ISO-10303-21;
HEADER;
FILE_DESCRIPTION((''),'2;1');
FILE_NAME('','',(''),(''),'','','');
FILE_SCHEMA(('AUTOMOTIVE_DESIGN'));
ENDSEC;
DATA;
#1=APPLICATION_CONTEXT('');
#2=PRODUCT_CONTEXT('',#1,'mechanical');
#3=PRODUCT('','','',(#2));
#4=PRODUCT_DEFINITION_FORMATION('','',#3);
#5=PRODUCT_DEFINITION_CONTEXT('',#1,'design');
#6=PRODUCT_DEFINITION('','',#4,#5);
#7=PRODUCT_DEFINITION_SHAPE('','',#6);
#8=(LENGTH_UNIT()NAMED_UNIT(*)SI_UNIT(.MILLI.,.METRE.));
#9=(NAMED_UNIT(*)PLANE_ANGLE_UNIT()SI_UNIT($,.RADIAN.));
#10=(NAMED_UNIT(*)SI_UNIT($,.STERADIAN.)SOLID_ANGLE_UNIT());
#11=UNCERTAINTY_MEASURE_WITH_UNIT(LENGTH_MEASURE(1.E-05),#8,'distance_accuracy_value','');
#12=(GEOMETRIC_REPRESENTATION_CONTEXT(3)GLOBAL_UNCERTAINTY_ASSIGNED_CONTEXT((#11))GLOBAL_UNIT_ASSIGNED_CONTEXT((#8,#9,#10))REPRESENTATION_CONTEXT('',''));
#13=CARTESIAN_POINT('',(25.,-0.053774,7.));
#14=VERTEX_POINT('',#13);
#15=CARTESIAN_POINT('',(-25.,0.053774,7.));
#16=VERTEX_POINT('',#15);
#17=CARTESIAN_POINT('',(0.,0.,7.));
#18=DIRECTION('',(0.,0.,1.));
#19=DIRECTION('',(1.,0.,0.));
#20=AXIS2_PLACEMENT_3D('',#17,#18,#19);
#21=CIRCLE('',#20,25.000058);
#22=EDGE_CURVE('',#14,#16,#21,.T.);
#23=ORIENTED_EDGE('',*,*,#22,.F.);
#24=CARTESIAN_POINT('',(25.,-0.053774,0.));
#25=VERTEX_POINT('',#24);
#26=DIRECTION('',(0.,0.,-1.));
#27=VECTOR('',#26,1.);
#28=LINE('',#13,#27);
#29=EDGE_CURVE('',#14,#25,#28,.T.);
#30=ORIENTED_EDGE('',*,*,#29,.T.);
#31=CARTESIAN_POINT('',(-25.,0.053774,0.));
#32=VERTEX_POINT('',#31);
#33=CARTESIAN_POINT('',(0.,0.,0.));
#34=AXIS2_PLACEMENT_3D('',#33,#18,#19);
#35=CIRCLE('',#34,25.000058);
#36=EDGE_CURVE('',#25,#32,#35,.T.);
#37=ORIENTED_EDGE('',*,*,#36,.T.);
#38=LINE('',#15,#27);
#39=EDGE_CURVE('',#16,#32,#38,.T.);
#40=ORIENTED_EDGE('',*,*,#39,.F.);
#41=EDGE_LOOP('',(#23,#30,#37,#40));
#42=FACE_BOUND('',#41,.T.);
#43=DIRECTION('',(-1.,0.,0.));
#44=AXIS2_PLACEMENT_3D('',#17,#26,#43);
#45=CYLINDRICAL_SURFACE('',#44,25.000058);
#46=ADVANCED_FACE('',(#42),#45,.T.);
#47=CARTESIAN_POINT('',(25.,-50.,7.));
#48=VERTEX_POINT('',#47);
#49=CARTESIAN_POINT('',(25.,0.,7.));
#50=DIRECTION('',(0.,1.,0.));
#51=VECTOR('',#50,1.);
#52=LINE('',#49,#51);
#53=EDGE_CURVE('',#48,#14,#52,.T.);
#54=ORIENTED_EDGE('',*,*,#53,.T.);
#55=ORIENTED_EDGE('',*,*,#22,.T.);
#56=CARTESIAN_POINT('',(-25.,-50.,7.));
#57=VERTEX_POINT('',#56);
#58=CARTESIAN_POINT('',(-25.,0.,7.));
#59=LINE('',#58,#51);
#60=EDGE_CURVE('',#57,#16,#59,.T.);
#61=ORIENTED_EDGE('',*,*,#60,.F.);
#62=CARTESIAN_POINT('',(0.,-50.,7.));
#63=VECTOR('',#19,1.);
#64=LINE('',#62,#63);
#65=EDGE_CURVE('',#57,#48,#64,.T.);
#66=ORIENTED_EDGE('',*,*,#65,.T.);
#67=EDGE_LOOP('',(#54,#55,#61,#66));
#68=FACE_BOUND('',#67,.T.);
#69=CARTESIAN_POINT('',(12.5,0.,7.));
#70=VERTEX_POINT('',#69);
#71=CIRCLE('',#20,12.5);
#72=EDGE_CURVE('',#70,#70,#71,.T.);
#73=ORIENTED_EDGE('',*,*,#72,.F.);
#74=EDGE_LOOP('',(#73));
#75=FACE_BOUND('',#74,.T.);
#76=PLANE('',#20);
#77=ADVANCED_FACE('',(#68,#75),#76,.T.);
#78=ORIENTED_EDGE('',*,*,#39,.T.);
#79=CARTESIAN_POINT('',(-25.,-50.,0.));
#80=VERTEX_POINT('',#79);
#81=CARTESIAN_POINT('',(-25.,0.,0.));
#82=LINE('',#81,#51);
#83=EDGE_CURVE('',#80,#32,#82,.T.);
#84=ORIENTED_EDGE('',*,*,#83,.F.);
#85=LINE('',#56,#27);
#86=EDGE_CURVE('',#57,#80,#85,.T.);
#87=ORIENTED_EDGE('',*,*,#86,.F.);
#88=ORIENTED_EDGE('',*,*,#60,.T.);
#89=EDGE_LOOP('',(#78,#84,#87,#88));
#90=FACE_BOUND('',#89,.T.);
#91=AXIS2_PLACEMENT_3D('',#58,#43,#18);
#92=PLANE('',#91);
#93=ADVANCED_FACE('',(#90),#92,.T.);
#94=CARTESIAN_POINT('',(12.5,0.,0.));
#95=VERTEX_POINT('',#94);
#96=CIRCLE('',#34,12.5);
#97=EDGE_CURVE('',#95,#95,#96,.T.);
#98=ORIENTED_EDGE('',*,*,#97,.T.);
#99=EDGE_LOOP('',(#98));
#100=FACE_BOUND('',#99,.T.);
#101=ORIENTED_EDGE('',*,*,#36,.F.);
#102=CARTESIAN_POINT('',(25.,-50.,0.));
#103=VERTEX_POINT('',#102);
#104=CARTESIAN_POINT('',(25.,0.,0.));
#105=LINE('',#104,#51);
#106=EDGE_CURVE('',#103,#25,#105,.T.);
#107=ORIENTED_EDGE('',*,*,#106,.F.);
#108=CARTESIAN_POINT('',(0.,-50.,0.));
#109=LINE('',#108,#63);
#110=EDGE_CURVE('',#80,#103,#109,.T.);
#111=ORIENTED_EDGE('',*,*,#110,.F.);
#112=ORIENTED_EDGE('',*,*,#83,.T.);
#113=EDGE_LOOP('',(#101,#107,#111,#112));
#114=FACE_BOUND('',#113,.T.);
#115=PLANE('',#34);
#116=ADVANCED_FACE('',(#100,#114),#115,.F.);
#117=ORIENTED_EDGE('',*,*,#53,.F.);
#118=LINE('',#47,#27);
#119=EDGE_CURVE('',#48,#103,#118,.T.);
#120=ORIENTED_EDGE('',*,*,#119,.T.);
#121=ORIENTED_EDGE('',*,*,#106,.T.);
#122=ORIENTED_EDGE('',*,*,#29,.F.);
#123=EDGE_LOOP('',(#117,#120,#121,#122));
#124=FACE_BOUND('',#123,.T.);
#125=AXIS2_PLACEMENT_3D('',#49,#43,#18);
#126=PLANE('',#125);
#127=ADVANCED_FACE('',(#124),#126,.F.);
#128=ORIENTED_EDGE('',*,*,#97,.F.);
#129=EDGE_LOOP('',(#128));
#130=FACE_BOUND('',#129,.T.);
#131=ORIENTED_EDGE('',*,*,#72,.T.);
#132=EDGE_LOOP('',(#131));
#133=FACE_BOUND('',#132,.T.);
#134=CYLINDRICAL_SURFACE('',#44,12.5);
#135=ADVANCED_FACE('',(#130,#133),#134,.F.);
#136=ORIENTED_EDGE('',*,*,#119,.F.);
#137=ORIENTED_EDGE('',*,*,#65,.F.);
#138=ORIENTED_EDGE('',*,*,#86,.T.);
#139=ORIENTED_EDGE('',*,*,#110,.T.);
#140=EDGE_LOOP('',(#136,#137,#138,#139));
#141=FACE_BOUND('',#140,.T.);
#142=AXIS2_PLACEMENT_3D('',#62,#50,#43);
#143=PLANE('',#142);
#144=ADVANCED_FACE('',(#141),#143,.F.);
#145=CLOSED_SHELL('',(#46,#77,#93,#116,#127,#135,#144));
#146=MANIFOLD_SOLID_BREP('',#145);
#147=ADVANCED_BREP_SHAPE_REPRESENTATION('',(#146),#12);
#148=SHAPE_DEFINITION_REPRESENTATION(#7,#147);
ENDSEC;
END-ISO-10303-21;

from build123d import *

# Parameters (mm, degrees)
ESBO_O1_R                = 12.5
RESSALTO_EXTRUS_O1_DEPTH = 7


with BuildPart() as part:
    # Esboço1 → Ressalto-extrusão1 (new body)
    with BuildSketch(Plane.XY):
        with BuildLine():
            Line((-25, -50), (25, -50))
            Line((25, -50), (25, -0.0537741))
            ThreePointArc((25, -0.0537741), (0.0537741, 25), (-25, 0.0537741))
            Line((-25, 0.0537741), (-25, -50))
        make_face()
        Circle(ESBO_O1_R, mode=Mode.SUBTRACT)
    extrude(amount=RESSALTO_EXTRUS_O1_DEPTH)


solid = part.part
